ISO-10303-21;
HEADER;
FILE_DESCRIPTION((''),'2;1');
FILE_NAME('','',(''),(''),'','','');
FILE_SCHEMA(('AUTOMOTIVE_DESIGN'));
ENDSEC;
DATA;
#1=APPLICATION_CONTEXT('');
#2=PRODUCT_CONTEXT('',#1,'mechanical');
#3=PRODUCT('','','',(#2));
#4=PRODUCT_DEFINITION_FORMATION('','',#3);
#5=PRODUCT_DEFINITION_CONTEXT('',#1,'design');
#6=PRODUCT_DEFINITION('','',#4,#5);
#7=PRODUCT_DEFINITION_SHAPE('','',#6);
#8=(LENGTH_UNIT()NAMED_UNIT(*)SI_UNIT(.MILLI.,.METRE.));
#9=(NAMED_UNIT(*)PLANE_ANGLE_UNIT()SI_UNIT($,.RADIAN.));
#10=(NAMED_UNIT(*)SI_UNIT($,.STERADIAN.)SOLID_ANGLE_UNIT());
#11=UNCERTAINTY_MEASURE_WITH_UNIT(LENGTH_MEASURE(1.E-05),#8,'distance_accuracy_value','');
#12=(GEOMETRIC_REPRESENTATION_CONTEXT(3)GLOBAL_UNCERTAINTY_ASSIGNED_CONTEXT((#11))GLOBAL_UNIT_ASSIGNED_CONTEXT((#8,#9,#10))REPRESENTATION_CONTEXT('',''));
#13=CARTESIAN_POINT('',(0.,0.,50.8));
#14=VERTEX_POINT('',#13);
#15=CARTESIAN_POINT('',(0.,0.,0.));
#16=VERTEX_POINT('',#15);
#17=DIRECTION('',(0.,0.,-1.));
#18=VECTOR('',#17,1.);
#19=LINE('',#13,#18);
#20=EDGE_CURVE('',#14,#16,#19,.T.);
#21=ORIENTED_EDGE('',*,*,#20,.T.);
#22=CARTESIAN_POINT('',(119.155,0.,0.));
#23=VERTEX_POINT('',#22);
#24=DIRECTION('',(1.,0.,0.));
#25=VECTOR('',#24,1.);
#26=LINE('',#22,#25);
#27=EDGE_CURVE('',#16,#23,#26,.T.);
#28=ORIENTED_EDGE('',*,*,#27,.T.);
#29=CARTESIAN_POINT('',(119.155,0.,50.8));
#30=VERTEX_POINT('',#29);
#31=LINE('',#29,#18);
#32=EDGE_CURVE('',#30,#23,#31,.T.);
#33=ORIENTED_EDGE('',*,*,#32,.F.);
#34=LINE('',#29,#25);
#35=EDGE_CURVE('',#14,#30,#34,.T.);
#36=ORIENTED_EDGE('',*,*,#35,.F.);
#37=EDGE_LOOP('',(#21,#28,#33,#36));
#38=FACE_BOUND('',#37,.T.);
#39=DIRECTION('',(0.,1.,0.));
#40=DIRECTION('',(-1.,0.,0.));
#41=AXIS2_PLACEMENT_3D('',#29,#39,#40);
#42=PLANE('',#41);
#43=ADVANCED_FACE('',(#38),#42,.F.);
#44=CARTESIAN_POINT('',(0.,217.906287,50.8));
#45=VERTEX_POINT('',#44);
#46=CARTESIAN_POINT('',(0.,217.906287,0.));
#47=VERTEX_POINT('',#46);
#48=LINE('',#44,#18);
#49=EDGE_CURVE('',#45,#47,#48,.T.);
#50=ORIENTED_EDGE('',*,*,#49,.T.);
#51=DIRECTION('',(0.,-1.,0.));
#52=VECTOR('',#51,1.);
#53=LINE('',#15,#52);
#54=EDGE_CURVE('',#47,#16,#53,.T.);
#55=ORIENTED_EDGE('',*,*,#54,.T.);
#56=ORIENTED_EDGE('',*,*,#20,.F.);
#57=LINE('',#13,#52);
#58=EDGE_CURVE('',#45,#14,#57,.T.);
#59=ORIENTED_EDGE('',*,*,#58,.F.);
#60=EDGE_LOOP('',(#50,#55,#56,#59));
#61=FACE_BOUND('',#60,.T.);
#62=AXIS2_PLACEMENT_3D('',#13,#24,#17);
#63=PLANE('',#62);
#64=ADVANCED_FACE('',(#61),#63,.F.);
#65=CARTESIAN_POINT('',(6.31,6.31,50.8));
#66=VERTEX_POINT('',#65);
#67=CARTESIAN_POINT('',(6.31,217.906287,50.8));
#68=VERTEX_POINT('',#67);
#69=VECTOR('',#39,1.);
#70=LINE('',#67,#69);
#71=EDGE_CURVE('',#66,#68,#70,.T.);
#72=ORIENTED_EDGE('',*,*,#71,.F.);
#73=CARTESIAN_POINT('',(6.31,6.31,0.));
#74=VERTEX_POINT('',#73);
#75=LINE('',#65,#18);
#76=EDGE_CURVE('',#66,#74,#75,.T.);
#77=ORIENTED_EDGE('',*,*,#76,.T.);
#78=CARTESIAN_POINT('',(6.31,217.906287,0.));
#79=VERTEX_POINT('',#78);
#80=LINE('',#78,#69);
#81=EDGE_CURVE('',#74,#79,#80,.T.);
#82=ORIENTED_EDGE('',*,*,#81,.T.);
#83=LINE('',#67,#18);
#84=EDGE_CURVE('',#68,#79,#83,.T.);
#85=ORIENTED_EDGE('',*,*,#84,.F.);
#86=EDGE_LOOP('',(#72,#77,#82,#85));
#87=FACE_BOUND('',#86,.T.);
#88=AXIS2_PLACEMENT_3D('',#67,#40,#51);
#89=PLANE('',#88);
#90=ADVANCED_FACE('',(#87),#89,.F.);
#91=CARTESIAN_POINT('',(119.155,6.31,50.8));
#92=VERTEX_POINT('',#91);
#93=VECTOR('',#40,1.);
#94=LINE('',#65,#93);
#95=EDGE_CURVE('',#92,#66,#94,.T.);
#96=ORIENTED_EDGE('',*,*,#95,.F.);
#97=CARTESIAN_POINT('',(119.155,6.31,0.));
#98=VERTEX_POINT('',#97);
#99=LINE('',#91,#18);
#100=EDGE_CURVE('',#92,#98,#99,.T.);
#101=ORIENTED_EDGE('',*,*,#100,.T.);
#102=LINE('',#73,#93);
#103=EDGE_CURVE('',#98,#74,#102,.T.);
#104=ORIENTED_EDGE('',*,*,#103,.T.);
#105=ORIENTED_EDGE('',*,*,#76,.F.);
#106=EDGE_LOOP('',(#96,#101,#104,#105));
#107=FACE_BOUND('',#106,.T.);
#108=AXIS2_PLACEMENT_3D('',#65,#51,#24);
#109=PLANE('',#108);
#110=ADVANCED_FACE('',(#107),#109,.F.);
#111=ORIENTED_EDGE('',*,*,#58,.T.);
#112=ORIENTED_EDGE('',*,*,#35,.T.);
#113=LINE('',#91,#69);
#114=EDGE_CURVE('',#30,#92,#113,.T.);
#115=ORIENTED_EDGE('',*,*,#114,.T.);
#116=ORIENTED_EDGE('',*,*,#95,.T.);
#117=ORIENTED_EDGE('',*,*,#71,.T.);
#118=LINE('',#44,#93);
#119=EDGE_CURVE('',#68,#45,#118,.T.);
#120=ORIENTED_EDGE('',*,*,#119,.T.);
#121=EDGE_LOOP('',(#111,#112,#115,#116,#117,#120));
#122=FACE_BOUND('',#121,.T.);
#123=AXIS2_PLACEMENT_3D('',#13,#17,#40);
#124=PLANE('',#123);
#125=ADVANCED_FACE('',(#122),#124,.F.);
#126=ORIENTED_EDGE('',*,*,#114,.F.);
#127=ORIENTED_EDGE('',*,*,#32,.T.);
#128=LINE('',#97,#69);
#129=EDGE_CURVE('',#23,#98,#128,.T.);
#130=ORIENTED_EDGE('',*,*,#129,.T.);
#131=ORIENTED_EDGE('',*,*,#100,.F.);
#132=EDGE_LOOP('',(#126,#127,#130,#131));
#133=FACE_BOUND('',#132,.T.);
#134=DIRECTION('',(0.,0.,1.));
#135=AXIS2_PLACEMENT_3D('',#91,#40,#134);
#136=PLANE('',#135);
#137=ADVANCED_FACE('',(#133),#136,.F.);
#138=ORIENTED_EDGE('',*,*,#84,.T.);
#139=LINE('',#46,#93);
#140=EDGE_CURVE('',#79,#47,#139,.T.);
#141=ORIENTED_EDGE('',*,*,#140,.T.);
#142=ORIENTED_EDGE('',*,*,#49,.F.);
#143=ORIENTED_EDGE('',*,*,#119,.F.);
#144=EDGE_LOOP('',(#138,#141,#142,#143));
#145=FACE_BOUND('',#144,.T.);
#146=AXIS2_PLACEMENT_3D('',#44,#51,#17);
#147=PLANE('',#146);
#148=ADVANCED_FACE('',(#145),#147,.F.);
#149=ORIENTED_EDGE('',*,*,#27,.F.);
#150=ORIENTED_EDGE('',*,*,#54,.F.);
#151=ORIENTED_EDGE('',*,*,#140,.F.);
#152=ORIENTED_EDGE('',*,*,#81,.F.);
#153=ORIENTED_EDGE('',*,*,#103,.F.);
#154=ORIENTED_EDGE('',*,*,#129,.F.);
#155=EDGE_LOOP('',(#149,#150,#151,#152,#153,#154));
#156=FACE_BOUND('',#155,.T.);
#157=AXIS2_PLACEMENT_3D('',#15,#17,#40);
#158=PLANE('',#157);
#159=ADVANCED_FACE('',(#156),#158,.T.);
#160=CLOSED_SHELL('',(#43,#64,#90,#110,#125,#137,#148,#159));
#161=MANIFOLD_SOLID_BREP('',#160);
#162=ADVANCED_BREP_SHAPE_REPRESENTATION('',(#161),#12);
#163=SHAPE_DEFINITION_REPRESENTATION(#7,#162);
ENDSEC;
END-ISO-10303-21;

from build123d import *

# Parameters (mm, degrees)
SALIENTE_EXTRUIR1_DEPTH = 50.8


with BuildPart() as part:
    # Croquis1 → Saliente-Extruir1 (new body)
    with BuildSketch(Plane.XY):
        Polygon((119.155, 6.31), (119.155, 0), (0, 0), (0, 217.90628726), (6.31, 217.90628726), (6.31, 6.31), align=None)
    extrude(amount=SALIENTE_EXTRUIR1_DEPTH)


solid = part.part
